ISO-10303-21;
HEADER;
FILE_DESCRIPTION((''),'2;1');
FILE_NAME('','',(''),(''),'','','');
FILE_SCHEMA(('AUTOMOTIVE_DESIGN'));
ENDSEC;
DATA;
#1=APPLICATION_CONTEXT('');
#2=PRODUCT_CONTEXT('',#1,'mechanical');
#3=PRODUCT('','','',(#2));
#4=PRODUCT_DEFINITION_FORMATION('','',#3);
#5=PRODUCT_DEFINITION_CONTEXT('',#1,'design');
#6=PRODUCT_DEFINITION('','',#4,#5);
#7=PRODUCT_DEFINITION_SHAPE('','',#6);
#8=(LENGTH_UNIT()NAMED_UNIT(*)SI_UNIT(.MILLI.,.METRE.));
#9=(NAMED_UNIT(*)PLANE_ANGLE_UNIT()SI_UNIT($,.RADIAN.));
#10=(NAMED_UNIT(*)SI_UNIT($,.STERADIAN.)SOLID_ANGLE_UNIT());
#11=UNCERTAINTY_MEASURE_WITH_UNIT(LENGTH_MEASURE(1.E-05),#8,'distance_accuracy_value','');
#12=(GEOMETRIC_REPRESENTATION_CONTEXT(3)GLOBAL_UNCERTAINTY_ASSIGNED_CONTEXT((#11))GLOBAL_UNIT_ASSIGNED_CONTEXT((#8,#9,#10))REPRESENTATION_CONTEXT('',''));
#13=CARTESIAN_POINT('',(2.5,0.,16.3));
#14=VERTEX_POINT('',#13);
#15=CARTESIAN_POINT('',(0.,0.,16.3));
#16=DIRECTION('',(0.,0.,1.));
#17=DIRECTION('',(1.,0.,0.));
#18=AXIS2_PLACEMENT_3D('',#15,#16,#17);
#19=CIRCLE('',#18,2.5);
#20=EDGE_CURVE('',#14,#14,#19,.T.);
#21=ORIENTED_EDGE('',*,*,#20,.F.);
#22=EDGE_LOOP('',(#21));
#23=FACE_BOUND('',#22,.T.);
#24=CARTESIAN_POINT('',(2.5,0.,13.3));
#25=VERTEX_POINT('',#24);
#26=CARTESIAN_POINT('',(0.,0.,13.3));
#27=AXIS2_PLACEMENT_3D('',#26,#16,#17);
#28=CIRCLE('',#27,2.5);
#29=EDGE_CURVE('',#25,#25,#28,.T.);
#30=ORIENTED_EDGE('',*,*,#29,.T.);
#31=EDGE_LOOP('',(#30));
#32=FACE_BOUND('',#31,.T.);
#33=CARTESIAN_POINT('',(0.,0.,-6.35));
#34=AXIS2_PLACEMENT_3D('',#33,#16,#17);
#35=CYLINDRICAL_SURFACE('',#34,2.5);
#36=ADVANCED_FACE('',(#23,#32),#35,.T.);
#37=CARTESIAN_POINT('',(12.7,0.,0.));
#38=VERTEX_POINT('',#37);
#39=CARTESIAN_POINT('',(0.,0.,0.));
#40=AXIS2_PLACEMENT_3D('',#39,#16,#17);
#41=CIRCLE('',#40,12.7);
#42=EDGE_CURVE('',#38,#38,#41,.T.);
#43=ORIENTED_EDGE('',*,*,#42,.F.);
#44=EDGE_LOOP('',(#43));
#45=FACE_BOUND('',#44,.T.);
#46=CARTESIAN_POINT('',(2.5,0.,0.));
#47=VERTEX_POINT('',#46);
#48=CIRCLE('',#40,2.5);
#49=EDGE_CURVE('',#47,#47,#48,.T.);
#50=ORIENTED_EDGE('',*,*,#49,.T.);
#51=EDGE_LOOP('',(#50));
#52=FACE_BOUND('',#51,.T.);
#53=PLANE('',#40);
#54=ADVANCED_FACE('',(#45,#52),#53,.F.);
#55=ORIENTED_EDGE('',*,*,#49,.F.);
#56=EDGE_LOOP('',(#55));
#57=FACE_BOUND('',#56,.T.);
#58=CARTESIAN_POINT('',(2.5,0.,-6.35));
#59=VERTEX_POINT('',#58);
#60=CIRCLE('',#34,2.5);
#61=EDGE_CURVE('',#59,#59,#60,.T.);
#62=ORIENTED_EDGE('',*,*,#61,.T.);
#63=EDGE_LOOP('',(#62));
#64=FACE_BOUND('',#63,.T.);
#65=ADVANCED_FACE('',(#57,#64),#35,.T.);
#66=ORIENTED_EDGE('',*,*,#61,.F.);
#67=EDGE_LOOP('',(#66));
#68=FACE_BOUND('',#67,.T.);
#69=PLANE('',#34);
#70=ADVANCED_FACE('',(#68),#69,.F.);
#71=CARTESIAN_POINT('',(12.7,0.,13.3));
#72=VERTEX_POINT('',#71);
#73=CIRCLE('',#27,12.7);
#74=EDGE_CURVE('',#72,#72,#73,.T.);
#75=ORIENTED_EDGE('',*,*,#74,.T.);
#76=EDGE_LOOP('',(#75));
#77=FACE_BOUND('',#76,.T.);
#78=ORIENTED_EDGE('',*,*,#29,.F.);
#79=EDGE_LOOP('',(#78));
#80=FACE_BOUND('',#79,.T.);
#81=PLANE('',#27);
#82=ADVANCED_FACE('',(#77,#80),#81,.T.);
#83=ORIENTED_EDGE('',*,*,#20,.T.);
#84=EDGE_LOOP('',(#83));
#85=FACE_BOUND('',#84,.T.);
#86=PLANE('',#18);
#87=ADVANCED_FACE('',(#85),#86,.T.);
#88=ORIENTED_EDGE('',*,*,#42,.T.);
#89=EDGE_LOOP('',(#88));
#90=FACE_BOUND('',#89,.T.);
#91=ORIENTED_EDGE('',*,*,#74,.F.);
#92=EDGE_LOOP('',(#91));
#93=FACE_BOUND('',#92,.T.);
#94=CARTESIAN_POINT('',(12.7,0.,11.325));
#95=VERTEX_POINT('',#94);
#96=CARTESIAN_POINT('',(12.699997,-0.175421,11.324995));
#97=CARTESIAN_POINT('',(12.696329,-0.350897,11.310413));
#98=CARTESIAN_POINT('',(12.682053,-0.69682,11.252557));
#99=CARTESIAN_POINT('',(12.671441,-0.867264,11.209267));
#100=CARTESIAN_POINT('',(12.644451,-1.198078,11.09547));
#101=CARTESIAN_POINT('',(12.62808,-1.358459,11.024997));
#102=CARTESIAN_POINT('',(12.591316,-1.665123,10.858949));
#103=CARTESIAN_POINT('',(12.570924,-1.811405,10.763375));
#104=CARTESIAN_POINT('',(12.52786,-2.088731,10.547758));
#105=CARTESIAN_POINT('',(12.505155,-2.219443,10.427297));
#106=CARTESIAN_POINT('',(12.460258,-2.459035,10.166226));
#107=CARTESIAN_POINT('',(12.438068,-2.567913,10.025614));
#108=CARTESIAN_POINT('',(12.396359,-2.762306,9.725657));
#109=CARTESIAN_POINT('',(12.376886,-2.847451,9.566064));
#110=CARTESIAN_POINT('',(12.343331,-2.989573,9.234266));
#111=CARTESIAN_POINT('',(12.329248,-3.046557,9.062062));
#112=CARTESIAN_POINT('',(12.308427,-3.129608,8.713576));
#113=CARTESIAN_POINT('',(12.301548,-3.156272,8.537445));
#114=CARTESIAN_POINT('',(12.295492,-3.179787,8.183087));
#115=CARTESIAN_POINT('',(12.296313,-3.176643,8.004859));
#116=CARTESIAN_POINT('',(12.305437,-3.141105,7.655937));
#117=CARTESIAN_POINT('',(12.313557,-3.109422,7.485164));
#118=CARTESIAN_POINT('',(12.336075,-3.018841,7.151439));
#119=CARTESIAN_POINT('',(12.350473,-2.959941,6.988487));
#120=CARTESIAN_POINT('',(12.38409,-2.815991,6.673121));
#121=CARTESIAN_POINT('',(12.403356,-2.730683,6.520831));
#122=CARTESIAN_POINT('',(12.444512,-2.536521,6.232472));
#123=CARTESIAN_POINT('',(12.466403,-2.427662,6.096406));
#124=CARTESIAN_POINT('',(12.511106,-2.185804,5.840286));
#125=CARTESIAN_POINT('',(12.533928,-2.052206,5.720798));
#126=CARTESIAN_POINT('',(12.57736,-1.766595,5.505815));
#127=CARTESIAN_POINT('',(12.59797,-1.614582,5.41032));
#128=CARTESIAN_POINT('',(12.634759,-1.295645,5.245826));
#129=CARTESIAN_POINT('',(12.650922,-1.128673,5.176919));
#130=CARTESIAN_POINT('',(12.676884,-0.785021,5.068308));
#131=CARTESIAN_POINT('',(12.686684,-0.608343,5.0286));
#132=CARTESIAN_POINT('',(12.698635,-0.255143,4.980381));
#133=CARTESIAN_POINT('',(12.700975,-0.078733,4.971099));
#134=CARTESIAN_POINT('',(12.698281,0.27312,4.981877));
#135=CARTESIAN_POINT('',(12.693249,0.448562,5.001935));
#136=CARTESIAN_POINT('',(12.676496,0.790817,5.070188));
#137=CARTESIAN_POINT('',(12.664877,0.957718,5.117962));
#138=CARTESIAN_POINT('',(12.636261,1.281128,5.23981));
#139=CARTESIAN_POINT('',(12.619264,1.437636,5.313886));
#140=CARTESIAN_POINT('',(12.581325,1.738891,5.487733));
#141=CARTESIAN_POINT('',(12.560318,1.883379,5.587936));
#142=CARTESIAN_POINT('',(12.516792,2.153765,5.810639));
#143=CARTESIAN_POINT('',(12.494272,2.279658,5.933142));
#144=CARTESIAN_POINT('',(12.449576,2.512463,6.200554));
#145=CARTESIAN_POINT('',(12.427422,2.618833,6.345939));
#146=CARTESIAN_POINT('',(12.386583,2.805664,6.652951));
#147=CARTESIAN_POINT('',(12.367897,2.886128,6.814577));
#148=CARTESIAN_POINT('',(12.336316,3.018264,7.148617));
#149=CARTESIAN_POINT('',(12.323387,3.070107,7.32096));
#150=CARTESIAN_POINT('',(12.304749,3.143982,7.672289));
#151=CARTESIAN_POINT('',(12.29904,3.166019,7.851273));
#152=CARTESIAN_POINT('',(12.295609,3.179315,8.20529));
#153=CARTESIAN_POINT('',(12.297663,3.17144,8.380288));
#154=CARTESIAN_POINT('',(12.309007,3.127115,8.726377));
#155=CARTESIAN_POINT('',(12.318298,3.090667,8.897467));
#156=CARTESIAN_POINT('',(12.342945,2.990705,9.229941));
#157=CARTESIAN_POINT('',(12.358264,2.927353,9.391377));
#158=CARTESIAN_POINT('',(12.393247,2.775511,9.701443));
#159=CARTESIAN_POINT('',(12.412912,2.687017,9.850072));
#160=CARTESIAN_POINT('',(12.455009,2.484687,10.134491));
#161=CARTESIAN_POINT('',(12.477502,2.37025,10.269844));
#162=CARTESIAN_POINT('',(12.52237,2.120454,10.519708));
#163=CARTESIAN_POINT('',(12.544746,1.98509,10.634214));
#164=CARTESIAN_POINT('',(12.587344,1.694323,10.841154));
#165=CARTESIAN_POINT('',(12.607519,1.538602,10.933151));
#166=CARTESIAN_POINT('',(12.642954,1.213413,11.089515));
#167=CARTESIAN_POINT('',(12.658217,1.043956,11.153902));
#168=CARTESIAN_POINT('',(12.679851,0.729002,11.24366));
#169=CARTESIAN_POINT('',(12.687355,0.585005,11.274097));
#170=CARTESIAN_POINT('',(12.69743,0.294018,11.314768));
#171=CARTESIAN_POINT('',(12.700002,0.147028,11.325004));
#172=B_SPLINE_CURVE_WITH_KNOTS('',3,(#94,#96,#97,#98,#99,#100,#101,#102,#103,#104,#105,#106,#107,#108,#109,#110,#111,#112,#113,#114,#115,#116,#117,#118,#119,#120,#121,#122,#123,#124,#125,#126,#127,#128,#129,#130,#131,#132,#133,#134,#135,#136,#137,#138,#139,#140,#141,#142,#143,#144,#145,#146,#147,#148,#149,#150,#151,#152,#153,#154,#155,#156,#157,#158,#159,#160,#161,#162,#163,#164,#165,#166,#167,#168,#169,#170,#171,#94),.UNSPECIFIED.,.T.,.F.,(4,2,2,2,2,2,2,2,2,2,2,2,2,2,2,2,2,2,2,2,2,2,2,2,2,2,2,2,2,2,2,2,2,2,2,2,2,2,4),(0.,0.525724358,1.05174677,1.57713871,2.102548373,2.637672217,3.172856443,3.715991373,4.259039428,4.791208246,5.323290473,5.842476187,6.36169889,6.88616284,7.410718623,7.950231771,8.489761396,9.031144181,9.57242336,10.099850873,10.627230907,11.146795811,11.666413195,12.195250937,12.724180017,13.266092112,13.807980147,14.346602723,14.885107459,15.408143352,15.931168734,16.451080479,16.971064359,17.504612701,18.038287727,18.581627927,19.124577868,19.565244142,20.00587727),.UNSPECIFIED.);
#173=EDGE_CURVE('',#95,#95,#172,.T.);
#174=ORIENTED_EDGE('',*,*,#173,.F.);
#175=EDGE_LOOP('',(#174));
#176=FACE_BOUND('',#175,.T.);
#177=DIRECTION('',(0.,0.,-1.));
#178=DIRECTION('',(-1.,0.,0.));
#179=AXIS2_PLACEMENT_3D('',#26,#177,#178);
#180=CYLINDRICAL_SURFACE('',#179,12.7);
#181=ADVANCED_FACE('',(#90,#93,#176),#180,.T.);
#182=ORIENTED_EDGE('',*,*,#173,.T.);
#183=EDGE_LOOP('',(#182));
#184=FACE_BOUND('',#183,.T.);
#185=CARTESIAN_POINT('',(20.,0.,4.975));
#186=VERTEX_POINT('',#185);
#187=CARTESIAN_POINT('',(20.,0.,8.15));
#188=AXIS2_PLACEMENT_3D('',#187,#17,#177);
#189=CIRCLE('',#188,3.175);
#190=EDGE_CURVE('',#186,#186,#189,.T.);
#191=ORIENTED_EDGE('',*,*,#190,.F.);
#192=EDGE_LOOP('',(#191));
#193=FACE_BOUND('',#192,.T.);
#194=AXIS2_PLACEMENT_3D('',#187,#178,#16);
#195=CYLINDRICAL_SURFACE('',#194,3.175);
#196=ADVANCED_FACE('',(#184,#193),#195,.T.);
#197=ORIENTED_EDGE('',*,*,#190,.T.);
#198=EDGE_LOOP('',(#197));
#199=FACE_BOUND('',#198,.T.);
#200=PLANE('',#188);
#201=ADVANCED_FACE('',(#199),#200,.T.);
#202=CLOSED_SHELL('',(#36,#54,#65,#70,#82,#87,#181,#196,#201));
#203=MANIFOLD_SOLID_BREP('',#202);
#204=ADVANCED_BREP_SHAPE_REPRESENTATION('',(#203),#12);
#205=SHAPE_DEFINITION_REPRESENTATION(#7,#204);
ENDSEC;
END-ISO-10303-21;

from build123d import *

# Parameters (mm, degrees)
SKETCH1_R                = 12.7
BOSS_EXTRUDE1_DEPTH      = 13.3
BOSS_EXTRUDE2_DEPTH      = 16.3
BOSS_EXTRUDE2_DEPTH_BACK = 6.35
SKETCH1_3_R              = 2.5
SKETCH2_R                = 3.175
BOSS_EXTRUDE3_DEPTH      = 20


with BuildPart() as part:
    # Sketch1 → Boss-Extrude1 (new body)
    with BuildSketch(Plane.XY):
        Circle(SKETCH1_R)
    extrude(amount=BOSS_EXTRUDE1_DEPTH)

    # Sketch1<3> → Boss-Extrude2 (add, two sides: drawn at the far end of the back side and taken through both)
    with BuildSketch(Plane.XY.offset(-BOSS_EXTRUDE2_DEPTH_BACK)):
        Circle(SKETCH1_3_R)
    extrude(amount=BOSS_EXTRUDE2_DEPTH + BOSS_EXTRUDE2_DEPTH_BACK)

    # Sketch2 → Boss-Extrude3 (add)
    with BuildSketch(Plane(origin=(0, 0, 0), x_dir=(0, 0, -1), z_dir=(1, 0, 0))):
        with Locations((-8.15, 0)):
            Circle(SKETCH2_R)
    extrude(amount=BOSS_EXTRUDE3_DEPTH)


solid = part.part
